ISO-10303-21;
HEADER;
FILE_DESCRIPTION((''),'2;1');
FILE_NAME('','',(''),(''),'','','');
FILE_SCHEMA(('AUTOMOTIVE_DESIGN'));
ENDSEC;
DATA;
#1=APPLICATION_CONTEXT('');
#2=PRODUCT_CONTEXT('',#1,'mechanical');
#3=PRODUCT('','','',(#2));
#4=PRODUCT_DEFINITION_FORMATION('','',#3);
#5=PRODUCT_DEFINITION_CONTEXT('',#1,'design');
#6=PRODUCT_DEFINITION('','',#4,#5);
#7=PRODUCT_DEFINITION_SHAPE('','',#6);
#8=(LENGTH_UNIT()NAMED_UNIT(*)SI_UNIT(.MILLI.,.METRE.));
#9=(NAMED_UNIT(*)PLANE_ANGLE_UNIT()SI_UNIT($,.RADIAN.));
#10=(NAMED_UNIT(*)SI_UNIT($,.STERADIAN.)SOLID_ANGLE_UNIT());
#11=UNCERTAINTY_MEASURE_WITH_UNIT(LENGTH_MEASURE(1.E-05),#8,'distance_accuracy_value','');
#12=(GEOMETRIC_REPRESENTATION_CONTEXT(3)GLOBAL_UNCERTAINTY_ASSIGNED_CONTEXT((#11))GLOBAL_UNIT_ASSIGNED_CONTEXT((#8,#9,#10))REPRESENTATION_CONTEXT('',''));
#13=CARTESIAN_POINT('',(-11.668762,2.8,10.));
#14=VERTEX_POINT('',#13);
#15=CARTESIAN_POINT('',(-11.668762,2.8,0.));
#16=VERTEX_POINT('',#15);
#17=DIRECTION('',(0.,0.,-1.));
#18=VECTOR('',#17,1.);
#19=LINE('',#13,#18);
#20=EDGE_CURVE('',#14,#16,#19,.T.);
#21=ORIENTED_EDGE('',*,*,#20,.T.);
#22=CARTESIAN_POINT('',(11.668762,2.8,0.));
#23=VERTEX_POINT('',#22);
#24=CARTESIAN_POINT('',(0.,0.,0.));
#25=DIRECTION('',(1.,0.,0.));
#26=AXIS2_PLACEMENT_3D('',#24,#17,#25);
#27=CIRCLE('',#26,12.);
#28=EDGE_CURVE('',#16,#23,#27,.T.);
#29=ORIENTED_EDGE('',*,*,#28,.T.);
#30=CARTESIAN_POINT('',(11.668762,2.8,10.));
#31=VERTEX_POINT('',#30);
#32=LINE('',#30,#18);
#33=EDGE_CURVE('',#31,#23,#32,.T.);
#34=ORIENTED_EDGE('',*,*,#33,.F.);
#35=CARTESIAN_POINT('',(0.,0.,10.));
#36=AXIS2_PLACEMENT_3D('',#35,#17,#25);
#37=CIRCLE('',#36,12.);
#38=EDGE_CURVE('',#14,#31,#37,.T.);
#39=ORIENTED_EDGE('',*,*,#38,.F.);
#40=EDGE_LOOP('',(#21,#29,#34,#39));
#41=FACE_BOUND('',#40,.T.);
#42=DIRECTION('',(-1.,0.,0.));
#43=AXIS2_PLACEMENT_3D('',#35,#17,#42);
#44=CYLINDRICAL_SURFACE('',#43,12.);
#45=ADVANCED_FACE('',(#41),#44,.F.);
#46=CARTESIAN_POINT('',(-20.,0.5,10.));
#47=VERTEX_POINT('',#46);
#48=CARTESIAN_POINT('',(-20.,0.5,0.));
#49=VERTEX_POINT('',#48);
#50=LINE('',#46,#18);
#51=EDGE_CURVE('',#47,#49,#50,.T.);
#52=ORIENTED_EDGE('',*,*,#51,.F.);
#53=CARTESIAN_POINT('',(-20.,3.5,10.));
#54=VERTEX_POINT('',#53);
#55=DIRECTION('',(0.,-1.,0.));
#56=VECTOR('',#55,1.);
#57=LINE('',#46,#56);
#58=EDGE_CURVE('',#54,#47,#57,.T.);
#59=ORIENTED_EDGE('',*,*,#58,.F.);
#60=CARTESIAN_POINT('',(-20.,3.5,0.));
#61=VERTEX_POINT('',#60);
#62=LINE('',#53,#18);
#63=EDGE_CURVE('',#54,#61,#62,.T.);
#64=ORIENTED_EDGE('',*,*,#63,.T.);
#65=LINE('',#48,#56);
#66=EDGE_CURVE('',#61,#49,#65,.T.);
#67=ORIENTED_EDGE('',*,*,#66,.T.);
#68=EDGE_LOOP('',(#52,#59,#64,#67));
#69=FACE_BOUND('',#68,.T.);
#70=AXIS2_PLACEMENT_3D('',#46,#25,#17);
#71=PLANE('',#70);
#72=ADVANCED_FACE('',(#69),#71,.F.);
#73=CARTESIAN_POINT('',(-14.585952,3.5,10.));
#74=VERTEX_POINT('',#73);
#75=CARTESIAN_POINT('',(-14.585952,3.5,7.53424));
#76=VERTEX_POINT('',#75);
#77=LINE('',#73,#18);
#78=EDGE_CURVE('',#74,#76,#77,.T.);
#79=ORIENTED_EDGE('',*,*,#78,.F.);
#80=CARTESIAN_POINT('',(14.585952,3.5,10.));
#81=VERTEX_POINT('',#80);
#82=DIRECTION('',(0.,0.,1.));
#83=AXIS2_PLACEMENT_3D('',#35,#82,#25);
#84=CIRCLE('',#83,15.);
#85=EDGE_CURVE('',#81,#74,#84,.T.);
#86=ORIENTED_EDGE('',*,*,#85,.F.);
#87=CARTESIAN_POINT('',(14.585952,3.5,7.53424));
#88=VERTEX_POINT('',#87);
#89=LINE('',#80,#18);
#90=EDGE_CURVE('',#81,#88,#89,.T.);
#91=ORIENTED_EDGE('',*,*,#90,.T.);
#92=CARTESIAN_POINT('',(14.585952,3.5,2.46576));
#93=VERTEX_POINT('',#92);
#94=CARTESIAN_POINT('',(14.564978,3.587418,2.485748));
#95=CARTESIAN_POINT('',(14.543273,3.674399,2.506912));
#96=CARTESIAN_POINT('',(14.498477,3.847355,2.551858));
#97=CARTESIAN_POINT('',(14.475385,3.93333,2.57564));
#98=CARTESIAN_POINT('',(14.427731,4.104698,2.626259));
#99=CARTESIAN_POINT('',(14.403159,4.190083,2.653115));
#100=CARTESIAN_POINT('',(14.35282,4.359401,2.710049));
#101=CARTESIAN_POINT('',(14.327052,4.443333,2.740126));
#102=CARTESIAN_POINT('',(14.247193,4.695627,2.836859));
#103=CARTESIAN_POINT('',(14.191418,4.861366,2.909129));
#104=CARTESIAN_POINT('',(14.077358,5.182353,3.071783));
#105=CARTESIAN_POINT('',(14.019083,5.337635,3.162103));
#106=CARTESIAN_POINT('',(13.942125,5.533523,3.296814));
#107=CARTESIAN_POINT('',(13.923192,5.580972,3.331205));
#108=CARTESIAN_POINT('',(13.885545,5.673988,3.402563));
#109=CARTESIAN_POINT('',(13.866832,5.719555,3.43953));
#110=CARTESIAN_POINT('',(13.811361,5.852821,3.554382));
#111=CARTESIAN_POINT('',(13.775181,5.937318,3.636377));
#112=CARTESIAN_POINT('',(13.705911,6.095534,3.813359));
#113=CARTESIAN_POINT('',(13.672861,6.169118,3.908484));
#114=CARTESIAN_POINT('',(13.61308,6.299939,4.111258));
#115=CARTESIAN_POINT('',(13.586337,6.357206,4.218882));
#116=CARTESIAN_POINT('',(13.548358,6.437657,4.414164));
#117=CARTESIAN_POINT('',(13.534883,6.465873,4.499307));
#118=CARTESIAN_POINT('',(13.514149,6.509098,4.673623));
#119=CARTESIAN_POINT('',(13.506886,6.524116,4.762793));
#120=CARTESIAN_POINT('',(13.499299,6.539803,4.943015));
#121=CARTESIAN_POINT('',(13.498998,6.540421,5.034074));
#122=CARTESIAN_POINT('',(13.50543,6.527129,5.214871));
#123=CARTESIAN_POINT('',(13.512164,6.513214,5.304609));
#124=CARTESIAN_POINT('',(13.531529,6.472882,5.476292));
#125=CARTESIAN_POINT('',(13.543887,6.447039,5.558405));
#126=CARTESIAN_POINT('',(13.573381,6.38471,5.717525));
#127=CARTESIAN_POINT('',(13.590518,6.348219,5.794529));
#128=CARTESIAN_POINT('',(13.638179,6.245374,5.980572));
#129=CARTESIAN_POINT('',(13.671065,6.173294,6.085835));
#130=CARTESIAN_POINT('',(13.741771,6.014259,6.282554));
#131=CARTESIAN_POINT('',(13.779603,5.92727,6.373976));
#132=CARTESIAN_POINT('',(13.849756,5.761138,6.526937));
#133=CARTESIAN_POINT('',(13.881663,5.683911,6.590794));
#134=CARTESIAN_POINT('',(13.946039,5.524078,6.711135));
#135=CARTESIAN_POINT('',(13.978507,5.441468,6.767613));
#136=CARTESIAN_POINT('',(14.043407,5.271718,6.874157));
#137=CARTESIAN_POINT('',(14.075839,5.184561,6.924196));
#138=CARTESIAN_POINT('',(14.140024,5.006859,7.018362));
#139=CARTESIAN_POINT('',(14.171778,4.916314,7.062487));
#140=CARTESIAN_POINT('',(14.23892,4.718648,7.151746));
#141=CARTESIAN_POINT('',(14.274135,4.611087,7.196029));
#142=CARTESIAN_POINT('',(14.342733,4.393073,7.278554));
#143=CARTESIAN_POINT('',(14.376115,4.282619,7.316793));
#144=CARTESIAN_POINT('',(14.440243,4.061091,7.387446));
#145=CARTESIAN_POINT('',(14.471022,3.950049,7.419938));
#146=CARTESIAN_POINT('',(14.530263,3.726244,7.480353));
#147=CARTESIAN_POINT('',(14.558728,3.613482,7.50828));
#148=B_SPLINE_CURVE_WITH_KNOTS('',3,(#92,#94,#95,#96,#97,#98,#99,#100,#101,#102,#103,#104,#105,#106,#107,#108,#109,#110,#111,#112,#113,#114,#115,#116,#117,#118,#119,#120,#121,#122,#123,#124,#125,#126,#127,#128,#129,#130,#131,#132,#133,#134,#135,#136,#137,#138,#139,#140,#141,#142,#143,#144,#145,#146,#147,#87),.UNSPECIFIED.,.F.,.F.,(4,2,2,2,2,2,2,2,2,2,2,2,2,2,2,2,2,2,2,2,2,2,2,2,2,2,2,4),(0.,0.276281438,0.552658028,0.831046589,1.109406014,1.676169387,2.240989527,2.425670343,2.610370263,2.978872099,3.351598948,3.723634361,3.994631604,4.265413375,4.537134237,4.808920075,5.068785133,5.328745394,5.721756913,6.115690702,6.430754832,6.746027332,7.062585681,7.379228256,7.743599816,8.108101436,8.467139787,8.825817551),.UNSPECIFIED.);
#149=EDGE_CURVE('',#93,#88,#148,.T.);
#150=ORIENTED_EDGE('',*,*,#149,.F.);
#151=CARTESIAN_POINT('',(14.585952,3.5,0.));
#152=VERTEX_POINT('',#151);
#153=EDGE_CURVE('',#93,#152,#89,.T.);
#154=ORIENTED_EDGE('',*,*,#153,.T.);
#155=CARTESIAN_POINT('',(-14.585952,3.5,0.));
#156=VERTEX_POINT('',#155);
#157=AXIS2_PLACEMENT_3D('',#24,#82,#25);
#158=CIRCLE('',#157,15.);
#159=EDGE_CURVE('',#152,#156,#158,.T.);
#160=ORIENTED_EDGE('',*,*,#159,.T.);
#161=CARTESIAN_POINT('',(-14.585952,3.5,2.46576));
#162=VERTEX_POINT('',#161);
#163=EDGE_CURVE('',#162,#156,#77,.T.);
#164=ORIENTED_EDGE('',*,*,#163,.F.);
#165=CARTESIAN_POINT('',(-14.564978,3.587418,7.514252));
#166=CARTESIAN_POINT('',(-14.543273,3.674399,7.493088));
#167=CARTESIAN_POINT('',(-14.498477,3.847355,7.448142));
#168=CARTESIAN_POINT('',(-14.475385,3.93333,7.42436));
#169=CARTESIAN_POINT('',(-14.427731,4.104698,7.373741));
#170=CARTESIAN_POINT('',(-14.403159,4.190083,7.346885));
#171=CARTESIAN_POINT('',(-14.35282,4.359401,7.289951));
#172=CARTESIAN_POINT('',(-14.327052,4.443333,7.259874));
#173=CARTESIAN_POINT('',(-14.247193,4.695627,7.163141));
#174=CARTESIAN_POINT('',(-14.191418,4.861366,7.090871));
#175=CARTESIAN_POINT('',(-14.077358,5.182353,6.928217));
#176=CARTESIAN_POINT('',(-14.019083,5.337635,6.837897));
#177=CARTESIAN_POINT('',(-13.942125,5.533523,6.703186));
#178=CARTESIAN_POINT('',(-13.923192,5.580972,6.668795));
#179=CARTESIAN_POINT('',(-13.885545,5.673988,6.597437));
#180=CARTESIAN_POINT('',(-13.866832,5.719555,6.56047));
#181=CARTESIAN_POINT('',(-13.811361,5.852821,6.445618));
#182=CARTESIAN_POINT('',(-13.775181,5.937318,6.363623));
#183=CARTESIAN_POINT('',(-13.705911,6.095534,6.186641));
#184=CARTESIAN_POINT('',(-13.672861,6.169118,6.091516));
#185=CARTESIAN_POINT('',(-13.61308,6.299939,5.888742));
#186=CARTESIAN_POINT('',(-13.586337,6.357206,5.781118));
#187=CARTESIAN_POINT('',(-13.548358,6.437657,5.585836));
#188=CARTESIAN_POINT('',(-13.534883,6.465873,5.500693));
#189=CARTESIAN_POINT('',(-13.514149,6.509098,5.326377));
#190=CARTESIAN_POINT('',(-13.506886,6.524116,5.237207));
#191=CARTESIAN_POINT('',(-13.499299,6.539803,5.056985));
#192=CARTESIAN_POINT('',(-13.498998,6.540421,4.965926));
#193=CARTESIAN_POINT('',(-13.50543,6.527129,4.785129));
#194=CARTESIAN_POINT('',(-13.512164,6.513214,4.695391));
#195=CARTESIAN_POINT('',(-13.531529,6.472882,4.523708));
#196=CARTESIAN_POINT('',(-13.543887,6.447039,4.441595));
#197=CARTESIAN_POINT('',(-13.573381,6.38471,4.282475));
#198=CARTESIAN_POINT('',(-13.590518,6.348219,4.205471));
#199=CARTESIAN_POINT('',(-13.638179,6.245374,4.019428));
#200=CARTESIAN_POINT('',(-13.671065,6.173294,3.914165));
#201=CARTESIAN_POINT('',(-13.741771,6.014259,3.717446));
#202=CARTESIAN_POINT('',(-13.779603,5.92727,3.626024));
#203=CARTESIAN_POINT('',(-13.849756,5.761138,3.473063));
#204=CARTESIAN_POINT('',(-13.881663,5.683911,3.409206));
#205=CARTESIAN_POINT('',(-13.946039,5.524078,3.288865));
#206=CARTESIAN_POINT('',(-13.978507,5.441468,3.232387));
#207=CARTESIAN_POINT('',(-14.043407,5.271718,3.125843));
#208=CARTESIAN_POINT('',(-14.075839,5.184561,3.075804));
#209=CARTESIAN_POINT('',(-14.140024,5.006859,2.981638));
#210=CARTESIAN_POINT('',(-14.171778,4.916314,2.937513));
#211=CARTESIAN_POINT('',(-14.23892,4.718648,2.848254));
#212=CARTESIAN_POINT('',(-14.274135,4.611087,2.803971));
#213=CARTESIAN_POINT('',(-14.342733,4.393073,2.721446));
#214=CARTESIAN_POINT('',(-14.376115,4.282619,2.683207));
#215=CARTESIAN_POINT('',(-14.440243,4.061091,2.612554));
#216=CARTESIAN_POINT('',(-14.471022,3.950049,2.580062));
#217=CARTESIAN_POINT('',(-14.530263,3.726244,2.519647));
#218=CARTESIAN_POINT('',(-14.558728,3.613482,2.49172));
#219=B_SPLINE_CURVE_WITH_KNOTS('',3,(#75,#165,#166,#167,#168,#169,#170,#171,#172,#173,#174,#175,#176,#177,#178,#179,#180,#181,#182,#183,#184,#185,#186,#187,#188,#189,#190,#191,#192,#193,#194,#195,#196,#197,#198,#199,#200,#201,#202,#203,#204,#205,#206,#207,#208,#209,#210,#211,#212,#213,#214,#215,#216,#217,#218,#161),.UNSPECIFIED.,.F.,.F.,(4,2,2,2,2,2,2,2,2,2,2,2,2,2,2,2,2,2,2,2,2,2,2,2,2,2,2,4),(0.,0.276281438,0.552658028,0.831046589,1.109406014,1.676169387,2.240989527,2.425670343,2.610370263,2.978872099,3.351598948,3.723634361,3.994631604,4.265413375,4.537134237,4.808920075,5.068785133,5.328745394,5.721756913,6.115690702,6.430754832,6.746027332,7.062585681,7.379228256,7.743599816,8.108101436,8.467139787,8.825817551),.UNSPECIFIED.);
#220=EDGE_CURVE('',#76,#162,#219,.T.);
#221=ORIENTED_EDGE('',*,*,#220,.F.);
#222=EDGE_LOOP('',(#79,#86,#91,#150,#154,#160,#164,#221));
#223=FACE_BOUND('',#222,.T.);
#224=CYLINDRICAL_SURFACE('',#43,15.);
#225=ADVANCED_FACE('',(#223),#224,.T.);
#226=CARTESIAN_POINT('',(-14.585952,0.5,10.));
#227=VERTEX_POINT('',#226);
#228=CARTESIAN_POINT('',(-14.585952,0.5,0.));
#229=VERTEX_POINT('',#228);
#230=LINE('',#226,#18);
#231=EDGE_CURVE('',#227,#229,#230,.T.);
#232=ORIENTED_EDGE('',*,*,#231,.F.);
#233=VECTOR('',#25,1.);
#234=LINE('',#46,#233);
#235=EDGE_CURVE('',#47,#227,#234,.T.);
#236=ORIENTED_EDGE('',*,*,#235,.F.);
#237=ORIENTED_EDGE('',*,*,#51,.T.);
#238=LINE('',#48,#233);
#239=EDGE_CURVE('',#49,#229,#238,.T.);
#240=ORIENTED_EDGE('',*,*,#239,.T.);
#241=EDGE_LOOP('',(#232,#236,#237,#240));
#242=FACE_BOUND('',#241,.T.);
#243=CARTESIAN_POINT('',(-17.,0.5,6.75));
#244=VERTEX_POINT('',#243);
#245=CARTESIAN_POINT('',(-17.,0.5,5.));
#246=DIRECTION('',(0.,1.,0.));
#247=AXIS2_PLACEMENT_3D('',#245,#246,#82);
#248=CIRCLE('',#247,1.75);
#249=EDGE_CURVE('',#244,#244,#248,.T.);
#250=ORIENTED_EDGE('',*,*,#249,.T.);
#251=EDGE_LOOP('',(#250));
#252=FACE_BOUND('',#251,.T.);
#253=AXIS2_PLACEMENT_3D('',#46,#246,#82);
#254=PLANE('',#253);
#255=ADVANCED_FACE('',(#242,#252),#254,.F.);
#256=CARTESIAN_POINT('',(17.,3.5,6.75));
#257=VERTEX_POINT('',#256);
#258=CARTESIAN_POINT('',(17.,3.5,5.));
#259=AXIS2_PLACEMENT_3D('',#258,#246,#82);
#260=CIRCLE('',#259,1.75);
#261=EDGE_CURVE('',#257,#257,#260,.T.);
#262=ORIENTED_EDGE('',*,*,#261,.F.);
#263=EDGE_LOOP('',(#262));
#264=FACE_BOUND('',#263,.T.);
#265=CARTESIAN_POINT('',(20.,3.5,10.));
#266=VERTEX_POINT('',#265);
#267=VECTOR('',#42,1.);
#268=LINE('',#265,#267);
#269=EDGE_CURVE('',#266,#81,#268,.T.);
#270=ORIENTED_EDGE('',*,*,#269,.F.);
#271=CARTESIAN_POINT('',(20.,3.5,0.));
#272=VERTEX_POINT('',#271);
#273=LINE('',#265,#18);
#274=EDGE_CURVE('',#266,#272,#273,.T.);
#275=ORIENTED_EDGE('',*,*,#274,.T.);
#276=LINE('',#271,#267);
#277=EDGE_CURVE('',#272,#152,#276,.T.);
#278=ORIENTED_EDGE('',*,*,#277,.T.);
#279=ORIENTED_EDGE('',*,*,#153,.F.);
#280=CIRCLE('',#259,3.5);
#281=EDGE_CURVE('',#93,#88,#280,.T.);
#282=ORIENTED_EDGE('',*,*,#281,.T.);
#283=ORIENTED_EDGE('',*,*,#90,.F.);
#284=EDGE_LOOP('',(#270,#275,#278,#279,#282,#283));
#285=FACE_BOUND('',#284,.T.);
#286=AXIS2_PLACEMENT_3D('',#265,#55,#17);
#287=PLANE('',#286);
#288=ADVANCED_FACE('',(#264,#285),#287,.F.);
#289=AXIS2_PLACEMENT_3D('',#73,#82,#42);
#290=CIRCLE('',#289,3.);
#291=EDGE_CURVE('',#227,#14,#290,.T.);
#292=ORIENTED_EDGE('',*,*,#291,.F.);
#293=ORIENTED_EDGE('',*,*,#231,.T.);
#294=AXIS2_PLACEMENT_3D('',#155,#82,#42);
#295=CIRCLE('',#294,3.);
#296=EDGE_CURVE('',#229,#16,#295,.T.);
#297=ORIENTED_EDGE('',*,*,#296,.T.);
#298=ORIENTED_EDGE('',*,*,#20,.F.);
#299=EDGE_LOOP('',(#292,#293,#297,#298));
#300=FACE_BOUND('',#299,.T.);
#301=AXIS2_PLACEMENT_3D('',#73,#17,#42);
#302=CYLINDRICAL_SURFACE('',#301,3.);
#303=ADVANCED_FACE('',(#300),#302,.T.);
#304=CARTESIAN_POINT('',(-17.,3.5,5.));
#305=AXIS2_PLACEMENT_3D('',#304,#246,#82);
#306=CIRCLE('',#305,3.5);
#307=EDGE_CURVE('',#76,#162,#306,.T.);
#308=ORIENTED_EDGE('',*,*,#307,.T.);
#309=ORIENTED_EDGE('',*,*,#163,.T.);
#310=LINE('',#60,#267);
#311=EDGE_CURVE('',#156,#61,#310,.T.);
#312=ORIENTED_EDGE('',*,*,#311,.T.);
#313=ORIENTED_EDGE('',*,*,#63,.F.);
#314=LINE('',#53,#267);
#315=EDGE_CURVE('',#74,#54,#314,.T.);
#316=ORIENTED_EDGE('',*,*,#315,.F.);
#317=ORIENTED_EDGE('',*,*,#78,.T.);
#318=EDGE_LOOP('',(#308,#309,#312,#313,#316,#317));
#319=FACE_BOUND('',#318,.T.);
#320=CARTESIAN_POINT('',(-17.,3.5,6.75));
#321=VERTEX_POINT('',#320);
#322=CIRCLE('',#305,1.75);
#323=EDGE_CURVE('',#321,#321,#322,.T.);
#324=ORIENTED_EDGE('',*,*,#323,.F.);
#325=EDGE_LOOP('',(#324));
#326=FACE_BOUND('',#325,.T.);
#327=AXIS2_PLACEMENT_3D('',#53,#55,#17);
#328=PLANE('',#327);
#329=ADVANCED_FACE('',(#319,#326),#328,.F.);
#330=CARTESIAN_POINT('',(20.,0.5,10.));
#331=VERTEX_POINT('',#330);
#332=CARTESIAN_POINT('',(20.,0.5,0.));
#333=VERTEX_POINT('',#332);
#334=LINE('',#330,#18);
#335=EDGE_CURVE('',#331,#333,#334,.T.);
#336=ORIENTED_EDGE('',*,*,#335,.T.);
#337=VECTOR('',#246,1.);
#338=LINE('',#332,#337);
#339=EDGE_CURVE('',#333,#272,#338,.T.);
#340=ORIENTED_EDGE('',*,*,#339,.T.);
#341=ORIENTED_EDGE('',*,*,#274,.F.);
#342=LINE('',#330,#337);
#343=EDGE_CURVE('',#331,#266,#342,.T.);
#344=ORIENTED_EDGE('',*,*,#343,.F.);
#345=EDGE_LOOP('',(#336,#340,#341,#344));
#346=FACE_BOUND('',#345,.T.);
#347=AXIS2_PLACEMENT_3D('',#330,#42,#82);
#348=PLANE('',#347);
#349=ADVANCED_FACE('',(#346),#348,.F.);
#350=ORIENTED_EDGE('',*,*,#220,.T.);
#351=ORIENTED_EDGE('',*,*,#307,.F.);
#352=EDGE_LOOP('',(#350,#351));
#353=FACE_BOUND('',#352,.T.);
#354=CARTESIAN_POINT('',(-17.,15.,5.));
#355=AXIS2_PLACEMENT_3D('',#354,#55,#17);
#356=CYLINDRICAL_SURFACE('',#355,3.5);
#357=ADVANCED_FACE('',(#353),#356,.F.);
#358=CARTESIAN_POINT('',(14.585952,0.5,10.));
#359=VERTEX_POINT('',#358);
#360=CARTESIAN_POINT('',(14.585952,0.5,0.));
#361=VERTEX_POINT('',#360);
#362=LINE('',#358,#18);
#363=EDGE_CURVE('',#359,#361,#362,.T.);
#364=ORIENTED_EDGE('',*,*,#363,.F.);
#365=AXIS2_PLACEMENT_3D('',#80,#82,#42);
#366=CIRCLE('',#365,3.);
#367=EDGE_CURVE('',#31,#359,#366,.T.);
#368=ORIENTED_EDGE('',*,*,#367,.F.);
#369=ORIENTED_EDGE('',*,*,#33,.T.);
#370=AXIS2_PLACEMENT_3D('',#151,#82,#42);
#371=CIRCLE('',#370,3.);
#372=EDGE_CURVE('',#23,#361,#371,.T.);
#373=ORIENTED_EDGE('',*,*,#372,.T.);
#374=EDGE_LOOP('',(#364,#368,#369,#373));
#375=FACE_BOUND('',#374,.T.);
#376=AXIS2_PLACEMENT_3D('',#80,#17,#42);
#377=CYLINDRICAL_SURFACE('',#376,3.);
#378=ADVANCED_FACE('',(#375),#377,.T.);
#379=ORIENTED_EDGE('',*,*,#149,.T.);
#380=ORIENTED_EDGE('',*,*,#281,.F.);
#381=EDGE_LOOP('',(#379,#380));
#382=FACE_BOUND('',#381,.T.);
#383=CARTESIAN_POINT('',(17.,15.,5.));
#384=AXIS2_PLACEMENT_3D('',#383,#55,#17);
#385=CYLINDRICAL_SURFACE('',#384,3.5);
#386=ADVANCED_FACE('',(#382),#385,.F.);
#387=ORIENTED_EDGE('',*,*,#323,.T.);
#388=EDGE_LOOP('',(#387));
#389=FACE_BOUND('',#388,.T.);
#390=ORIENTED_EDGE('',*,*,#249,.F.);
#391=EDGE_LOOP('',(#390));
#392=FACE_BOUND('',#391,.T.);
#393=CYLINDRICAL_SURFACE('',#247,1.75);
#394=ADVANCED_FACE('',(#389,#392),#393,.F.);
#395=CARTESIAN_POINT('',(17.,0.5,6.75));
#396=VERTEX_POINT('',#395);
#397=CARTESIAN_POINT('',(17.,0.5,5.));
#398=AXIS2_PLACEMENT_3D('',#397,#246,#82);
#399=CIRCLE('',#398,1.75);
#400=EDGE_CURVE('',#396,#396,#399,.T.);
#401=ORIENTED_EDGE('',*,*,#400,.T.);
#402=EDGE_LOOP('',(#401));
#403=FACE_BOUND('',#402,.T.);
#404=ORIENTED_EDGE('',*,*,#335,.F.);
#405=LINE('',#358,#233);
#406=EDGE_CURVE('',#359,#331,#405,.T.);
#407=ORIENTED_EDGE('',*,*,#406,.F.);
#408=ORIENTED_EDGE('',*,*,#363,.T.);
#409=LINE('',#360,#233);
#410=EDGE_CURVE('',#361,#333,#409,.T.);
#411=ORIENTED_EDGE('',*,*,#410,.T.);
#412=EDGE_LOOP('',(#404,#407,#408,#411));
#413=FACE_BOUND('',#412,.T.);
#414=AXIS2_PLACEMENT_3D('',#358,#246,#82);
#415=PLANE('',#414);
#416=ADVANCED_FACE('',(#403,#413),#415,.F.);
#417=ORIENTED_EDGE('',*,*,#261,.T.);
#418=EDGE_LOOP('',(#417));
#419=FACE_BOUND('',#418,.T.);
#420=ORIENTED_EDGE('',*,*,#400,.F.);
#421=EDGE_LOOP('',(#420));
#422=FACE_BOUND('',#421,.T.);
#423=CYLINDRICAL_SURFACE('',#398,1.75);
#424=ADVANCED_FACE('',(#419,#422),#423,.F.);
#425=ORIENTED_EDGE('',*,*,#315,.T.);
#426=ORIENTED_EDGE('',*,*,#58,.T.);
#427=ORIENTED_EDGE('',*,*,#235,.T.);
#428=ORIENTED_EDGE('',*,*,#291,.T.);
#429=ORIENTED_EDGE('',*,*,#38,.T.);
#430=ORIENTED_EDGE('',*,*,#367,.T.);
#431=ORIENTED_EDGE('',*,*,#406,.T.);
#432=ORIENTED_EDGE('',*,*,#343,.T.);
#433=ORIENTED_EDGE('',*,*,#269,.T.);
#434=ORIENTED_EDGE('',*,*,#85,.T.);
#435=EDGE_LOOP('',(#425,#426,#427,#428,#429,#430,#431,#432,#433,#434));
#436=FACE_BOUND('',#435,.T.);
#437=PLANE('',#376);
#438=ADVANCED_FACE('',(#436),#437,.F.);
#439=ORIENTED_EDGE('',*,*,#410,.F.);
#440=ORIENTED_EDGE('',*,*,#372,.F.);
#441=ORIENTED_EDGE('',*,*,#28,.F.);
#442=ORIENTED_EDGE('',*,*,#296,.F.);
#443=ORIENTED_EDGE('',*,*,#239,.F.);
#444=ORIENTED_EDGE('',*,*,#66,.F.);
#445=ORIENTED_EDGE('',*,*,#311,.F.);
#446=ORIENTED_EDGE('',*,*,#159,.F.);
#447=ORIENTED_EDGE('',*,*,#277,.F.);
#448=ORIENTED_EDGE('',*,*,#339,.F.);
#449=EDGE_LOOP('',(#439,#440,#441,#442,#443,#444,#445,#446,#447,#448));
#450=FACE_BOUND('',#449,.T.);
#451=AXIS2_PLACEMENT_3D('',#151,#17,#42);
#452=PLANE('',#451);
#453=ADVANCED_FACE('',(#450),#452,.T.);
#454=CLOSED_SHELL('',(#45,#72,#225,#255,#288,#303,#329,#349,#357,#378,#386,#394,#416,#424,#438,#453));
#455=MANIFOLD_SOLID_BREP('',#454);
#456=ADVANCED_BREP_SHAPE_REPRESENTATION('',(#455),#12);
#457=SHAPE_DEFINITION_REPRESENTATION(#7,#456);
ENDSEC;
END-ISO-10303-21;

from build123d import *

# Parameters (mm, degrees)
BOSS_EXTRU_2_DEPTH      = 10
ESQUISSE3_R             = 1.75
ENL_V_MAT_EXTRU_2_DEPTH = 4
ESQUISSE4_R             = 3.5
ENL_V_MAT_EXTRU_3_DEPTH = 12.5


with BuildPart() as part:
    # Esquisse1 → Boss.-Extru.2 (new body)
    with BuildSketch(Plane.XY):
        with BuildLine():
            Line((-20, 0.5), (-14.585952146, 0.5))
            ThreePointArc((-14.585952146, 0.5), (-12.728534584, 1.144156202), (-11.668761717, 2.8))
            ThreePointArc((-11.668761717, 2.8), (0, 12), (11.668761717, 2.8))
            ThreePointArc((11.668761717, 2.8), (12.728534584, 1.144156202), (14.585952146, 0.5))
            Line((14.585952146, 0.5), (20, 0.5))
            Line((20, 0.5), (20, 3.5))
            Line((20, 3.5), (14.585952146, 3.5))
            ThreePointArc((14.585952146, 3.5), (0, 15), (-14.585952146, 3.5))
            Line((-14.585952146, 3.5), (-20, 3.5))
            Line((-20, 3.5), (-20, 0.5))
        make_face()
    extrude(amount=BOSS_EXTRU_2_DEPTH)

    # Esquisse3 → Enlèv. mat.-Extru.2 (cut, through all)
    with BuildSketch(Plane(origin=(0, 3.5, 0), x_dir=(1, 0, 0), z_dir=(0, 1, 0))):
        with Locations((-17, -5)):
            Circle(ESQUISSE3_R)
        with Locations((17, -5)):
            Circle(ESQUISSE3_R)
    extrude(amount=-ENL_V_MAT_EXTRU_2_DEPTH, mode=Mode.SUBTRACT)

    # Esquisse4 → Enlèv. mat.-Extru.3 (cut, through all)
    with BuildSketch(Plane(origin=(0, 3.5, 0), x_dir=(1, 0, 0), z_dir=(0, 1, 0))):
        with Locations((-17, -5)):
            Circle(ESQUISSE4_R)
        with Locations((17, -5)):
            Circle(ESQUISSE4_R)
    extrude(amount=ENL_V_MAT_EXTRU_3_DEPTH, mode=Mode.SUBTRACT)


solid = part.part
